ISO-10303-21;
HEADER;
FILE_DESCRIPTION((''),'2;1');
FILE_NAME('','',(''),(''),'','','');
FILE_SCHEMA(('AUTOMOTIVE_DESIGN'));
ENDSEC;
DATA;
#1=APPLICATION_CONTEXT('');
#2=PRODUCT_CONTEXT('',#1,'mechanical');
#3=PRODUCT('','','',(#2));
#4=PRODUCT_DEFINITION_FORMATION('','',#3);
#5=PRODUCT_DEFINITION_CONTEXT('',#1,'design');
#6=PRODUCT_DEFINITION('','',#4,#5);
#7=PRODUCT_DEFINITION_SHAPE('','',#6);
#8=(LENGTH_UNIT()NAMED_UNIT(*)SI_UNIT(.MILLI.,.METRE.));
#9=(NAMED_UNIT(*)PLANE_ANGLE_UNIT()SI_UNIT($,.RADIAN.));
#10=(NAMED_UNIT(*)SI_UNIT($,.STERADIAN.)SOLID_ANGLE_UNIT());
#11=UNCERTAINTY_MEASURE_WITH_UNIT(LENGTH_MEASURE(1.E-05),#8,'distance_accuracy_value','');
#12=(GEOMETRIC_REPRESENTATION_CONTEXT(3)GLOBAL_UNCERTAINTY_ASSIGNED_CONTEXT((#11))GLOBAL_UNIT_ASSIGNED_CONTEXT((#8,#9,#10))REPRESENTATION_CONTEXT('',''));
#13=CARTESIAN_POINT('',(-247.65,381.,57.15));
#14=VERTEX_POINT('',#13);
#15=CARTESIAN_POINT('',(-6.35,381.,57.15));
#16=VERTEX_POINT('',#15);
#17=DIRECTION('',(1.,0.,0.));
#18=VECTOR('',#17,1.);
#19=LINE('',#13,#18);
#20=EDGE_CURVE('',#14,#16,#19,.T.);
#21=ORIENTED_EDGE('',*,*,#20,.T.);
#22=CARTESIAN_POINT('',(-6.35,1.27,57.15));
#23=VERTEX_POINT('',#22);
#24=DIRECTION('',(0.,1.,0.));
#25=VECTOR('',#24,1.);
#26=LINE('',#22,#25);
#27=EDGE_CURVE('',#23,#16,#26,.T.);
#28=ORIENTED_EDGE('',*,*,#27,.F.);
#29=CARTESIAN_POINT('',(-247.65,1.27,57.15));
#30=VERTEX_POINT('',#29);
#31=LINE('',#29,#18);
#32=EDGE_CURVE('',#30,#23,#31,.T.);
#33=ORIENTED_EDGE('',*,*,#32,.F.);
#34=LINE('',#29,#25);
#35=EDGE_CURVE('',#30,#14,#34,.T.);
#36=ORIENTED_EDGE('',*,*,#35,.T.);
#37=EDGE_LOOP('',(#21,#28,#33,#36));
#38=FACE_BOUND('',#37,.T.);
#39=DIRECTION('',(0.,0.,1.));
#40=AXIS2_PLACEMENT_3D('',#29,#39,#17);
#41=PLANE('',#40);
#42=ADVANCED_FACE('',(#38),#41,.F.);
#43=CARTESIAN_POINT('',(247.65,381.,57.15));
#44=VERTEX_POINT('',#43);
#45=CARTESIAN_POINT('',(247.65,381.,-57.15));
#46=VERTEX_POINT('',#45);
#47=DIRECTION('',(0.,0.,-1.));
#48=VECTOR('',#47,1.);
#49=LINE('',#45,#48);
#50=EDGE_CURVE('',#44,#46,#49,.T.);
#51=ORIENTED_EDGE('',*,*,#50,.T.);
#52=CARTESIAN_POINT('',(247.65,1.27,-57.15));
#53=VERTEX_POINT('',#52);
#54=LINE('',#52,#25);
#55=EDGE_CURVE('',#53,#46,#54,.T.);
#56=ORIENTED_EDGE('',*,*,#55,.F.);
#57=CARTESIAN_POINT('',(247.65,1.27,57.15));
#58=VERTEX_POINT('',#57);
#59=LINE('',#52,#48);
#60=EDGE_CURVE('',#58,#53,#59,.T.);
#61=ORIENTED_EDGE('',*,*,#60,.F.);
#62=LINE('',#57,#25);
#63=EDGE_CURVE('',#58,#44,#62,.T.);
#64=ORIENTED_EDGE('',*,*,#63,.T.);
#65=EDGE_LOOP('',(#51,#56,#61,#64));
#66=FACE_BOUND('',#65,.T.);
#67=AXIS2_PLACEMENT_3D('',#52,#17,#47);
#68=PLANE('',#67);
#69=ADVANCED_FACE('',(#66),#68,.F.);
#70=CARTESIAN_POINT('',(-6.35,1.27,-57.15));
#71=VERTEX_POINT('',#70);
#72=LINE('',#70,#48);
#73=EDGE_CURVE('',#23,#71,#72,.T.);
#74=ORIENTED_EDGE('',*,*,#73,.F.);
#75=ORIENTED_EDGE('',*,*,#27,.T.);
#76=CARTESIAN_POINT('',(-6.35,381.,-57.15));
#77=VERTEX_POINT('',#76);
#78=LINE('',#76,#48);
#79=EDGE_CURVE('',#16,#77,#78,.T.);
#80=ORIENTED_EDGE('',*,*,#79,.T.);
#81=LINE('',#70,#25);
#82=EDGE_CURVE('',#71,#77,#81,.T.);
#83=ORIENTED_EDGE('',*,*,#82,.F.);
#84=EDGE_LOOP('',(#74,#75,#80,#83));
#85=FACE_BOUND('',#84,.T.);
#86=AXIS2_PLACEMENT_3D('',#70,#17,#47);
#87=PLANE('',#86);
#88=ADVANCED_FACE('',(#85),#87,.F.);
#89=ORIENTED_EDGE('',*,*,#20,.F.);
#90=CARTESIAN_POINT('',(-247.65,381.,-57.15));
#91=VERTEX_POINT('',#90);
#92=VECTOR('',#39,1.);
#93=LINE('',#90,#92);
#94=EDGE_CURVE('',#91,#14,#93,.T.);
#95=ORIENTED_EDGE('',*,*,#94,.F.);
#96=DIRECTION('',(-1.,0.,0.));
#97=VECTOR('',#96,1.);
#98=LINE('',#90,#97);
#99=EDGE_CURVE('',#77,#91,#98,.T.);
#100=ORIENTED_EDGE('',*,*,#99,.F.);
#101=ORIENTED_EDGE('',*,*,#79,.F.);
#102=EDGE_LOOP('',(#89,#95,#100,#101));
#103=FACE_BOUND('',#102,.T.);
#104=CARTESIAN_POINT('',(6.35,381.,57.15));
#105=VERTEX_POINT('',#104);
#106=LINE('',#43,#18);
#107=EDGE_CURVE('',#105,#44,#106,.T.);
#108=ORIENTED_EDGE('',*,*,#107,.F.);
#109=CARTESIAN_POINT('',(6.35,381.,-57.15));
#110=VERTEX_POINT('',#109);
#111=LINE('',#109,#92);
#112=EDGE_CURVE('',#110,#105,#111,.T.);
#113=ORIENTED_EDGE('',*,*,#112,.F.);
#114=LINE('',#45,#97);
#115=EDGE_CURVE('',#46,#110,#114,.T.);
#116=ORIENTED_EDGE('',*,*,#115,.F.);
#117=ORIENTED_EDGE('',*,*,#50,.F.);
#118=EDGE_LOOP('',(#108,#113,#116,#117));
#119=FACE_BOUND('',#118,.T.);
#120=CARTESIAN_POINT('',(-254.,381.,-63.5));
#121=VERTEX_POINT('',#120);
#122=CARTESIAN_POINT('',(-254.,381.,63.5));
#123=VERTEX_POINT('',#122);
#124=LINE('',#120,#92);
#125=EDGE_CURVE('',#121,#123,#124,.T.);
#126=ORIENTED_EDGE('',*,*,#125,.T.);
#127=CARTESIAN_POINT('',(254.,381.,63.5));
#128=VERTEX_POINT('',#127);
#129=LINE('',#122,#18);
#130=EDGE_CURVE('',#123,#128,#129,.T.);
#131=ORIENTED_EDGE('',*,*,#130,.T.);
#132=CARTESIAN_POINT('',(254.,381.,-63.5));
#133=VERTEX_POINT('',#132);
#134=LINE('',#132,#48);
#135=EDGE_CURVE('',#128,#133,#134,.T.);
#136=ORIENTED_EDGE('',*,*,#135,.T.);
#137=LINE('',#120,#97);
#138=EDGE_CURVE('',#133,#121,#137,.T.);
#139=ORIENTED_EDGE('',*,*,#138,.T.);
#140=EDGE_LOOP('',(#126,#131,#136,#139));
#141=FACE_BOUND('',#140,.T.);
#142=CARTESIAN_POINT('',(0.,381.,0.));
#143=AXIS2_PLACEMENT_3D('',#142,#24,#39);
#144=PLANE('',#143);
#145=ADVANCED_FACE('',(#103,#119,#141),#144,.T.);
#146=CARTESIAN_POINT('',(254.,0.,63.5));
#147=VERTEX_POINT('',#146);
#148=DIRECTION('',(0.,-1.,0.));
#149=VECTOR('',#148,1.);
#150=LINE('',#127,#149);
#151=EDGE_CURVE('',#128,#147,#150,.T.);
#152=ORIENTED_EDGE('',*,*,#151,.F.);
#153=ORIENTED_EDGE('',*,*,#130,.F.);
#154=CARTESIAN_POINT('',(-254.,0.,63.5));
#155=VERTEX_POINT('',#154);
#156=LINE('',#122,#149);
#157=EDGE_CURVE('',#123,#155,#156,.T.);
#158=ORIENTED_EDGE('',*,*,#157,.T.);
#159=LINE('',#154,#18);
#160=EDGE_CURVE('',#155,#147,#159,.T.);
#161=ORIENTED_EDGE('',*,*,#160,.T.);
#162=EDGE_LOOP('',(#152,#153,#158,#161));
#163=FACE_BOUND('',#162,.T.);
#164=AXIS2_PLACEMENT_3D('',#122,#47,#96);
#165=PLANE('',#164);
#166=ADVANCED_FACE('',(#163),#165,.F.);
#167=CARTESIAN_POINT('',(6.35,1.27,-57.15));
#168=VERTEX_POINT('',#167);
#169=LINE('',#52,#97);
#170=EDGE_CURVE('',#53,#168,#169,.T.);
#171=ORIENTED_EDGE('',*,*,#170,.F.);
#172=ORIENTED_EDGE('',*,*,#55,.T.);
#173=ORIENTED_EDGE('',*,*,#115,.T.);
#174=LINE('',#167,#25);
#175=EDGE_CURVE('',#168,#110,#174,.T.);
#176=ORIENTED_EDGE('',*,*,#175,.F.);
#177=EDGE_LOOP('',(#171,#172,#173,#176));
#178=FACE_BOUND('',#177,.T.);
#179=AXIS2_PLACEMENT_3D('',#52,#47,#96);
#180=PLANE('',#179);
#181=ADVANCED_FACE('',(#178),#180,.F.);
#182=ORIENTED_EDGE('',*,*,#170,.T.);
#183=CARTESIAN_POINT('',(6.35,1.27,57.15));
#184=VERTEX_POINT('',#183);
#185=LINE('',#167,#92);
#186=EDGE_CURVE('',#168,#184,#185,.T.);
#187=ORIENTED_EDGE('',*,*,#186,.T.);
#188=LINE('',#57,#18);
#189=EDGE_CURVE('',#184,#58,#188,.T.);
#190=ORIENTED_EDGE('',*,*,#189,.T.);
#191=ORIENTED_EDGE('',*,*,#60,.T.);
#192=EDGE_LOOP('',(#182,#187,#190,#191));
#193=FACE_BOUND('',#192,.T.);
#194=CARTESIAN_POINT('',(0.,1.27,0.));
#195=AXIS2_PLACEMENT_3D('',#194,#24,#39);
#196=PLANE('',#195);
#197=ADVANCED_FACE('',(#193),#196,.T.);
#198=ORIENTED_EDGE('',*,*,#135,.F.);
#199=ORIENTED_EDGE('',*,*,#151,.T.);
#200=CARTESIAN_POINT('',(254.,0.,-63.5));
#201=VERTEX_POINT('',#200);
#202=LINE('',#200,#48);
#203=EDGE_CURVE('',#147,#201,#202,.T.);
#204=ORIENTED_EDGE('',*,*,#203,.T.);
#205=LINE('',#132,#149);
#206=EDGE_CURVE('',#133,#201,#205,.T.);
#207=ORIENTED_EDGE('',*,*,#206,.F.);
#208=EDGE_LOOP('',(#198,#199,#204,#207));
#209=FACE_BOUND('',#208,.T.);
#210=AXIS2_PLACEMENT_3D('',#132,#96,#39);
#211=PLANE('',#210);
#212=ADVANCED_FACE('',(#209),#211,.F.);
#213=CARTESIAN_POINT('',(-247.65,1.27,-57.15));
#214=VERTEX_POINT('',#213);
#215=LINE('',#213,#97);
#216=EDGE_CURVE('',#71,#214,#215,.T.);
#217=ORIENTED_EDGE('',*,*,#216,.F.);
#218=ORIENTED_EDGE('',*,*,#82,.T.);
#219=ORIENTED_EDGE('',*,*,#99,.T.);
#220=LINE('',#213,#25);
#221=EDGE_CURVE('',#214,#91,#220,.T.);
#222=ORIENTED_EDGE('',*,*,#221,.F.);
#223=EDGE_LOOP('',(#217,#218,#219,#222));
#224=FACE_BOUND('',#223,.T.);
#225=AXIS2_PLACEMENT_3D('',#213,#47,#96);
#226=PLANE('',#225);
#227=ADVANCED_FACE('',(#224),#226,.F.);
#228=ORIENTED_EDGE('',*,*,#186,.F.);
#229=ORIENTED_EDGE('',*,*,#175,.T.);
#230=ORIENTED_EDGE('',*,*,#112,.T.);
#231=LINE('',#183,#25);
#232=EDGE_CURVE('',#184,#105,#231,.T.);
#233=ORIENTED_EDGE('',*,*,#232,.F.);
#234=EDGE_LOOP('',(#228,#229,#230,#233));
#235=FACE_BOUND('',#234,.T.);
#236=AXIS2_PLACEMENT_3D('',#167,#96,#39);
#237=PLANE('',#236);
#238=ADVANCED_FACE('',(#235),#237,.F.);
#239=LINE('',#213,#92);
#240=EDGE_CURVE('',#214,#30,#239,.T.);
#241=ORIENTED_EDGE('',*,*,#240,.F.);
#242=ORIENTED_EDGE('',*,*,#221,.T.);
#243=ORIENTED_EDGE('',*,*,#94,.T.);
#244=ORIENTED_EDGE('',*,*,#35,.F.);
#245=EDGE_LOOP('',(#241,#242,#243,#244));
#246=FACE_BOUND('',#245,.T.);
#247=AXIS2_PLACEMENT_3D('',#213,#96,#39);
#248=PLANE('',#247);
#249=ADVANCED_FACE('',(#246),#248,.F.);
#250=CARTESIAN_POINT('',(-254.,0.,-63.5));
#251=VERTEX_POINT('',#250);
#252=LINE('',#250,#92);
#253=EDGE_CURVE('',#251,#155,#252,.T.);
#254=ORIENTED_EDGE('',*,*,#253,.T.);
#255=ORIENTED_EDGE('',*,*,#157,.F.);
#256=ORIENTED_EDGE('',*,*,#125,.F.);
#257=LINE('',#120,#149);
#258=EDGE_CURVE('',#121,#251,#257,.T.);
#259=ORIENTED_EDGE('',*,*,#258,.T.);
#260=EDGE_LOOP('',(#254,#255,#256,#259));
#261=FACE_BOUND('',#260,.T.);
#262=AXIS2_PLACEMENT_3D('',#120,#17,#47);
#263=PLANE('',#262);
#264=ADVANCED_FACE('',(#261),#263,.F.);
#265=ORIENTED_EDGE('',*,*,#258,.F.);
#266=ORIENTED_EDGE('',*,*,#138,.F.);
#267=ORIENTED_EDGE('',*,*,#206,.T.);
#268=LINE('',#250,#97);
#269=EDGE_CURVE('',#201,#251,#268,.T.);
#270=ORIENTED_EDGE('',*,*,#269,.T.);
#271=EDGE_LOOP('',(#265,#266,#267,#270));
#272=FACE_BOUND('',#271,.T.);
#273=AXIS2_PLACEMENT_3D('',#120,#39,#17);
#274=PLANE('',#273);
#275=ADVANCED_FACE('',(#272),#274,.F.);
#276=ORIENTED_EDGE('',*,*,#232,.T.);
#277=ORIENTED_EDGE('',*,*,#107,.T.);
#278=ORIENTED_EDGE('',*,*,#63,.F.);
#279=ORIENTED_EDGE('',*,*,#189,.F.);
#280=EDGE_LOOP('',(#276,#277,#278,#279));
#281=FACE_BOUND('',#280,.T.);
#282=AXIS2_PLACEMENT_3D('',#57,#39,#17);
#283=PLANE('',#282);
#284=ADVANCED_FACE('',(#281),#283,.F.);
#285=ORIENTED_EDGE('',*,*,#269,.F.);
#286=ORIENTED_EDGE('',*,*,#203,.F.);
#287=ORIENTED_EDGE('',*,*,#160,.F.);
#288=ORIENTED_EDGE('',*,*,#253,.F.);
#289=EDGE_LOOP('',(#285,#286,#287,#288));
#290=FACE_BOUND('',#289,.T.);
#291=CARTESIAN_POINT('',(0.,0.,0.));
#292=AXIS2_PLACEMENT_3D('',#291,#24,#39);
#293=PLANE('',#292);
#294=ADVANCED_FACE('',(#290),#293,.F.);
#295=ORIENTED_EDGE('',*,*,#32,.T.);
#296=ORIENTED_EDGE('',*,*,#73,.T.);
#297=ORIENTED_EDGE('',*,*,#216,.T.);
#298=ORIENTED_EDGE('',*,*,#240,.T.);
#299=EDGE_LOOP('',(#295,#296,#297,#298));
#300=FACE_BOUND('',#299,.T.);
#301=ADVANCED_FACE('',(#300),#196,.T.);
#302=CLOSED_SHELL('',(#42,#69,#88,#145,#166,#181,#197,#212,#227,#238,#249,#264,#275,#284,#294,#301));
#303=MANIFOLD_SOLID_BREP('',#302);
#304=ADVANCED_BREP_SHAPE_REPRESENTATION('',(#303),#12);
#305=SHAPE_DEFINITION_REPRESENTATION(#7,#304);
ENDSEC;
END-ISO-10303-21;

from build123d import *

# Parameters (mm, degrees)
SKETCH1_W           = 508
SKETCH1_H           = 127
BOSS_EXTRUDE1_DEPTH = 381
SKETCH2_W           = 241.3
SKETCH2_H           = 114.3
CUT_EXTRUDE1_DEPTH  = 379.73


with BuildPart() as part:
    # Sketch1 → Boss-Extrude1 (new body)
    with BuildSketch(Plane(origin=(0, 0, 0), x_dir=(1, 0, 0), z_dir=(0, 1, 0))):
        Rectangle(SKETCH1_W, SKETCH1_H)
    extrude(amount=BOSS_EXTRUDE1_DEPTH)

    # Sketch2 → Cut-Extrude1 (cut)
    with BuildSketch(Plane(origin=(0, 381, 0), x_dir=(1, 0, 0), z_dir=(0, 1, 0))):
        with Locations((127, 0)):
            Rectangle(SKETCH2_W, SKETCH2_H)
        with Locations((-127, 0)):
            Rectangle(SKETCH2_W, SKETCH2_H)
    extrude(amount=-CUT_EXTRUDE1_DEPTH, mode=Mode.SUBTRACT)


solid = part.part
